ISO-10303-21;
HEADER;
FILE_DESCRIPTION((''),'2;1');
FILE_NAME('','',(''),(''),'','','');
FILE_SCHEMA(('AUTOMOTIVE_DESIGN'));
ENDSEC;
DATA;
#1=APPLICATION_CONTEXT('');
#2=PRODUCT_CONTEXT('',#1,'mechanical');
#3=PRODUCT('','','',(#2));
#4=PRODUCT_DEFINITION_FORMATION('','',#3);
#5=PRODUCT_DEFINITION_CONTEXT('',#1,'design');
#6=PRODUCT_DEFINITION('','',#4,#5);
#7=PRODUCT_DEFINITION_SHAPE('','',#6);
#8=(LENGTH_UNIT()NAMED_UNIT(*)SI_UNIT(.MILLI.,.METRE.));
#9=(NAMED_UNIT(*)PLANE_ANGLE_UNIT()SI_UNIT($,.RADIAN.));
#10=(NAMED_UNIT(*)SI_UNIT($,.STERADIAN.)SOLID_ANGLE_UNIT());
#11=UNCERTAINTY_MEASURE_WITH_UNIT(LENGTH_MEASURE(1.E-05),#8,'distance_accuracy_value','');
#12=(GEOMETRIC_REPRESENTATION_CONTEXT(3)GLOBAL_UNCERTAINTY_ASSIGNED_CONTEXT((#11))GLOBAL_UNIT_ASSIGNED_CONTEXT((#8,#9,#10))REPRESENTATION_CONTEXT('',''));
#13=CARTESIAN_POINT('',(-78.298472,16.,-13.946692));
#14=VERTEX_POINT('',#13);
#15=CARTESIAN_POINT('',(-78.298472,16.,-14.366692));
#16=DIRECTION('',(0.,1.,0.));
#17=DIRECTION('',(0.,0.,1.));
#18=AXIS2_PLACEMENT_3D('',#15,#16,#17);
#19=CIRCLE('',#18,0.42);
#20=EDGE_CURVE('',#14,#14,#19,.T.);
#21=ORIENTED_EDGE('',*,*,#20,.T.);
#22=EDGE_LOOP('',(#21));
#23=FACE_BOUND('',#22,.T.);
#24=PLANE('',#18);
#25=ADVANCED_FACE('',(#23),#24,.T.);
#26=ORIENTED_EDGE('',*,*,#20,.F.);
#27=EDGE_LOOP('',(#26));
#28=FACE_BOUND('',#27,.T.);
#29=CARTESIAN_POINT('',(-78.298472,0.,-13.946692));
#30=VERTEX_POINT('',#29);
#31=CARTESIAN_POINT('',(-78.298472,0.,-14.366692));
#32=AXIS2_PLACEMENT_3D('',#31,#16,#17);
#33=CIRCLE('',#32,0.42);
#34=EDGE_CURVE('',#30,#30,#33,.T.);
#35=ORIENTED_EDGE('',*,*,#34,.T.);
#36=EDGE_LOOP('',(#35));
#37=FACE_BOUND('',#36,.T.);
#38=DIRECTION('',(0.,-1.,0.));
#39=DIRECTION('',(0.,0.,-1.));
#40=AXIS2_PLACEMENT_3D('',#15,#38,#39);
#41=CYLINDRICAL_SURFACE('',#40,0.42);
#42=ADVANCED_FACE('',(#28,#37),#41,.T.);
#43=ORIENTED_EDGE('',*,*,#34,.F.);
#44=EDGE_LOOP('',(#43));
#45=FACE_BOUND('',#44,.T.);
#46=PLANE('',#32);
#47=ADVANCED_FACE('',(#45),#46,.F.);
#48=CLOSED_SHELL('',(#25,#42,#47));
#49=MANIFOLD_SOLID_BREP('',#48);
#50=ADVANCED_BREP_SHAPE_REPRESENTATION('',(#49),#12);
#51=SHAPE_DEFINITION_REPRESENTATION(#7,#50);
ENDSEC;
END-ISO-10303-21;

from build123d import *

# Parameters (mm, degrees)
SKETCH1_R           = 0.42
BOSS_EXTRUDE1_DEPTH = 16


with BuildPart() as part:
    # Sketch1 → Boss-Extrude1 (new body)
    with BuildSketch(Plane(origin=(0, 0, 0), x_dir=(1, 0, 0), z_dir=(0, 1, 0))):
        with Locations(Location((-78.298472197, 14.366692146, 0), (0, 0, 270))):
            Circle(SKETCH1_R)
    extrude(amount=BOSS_EXTRUDE1_DEPTH)


solid = part.part
